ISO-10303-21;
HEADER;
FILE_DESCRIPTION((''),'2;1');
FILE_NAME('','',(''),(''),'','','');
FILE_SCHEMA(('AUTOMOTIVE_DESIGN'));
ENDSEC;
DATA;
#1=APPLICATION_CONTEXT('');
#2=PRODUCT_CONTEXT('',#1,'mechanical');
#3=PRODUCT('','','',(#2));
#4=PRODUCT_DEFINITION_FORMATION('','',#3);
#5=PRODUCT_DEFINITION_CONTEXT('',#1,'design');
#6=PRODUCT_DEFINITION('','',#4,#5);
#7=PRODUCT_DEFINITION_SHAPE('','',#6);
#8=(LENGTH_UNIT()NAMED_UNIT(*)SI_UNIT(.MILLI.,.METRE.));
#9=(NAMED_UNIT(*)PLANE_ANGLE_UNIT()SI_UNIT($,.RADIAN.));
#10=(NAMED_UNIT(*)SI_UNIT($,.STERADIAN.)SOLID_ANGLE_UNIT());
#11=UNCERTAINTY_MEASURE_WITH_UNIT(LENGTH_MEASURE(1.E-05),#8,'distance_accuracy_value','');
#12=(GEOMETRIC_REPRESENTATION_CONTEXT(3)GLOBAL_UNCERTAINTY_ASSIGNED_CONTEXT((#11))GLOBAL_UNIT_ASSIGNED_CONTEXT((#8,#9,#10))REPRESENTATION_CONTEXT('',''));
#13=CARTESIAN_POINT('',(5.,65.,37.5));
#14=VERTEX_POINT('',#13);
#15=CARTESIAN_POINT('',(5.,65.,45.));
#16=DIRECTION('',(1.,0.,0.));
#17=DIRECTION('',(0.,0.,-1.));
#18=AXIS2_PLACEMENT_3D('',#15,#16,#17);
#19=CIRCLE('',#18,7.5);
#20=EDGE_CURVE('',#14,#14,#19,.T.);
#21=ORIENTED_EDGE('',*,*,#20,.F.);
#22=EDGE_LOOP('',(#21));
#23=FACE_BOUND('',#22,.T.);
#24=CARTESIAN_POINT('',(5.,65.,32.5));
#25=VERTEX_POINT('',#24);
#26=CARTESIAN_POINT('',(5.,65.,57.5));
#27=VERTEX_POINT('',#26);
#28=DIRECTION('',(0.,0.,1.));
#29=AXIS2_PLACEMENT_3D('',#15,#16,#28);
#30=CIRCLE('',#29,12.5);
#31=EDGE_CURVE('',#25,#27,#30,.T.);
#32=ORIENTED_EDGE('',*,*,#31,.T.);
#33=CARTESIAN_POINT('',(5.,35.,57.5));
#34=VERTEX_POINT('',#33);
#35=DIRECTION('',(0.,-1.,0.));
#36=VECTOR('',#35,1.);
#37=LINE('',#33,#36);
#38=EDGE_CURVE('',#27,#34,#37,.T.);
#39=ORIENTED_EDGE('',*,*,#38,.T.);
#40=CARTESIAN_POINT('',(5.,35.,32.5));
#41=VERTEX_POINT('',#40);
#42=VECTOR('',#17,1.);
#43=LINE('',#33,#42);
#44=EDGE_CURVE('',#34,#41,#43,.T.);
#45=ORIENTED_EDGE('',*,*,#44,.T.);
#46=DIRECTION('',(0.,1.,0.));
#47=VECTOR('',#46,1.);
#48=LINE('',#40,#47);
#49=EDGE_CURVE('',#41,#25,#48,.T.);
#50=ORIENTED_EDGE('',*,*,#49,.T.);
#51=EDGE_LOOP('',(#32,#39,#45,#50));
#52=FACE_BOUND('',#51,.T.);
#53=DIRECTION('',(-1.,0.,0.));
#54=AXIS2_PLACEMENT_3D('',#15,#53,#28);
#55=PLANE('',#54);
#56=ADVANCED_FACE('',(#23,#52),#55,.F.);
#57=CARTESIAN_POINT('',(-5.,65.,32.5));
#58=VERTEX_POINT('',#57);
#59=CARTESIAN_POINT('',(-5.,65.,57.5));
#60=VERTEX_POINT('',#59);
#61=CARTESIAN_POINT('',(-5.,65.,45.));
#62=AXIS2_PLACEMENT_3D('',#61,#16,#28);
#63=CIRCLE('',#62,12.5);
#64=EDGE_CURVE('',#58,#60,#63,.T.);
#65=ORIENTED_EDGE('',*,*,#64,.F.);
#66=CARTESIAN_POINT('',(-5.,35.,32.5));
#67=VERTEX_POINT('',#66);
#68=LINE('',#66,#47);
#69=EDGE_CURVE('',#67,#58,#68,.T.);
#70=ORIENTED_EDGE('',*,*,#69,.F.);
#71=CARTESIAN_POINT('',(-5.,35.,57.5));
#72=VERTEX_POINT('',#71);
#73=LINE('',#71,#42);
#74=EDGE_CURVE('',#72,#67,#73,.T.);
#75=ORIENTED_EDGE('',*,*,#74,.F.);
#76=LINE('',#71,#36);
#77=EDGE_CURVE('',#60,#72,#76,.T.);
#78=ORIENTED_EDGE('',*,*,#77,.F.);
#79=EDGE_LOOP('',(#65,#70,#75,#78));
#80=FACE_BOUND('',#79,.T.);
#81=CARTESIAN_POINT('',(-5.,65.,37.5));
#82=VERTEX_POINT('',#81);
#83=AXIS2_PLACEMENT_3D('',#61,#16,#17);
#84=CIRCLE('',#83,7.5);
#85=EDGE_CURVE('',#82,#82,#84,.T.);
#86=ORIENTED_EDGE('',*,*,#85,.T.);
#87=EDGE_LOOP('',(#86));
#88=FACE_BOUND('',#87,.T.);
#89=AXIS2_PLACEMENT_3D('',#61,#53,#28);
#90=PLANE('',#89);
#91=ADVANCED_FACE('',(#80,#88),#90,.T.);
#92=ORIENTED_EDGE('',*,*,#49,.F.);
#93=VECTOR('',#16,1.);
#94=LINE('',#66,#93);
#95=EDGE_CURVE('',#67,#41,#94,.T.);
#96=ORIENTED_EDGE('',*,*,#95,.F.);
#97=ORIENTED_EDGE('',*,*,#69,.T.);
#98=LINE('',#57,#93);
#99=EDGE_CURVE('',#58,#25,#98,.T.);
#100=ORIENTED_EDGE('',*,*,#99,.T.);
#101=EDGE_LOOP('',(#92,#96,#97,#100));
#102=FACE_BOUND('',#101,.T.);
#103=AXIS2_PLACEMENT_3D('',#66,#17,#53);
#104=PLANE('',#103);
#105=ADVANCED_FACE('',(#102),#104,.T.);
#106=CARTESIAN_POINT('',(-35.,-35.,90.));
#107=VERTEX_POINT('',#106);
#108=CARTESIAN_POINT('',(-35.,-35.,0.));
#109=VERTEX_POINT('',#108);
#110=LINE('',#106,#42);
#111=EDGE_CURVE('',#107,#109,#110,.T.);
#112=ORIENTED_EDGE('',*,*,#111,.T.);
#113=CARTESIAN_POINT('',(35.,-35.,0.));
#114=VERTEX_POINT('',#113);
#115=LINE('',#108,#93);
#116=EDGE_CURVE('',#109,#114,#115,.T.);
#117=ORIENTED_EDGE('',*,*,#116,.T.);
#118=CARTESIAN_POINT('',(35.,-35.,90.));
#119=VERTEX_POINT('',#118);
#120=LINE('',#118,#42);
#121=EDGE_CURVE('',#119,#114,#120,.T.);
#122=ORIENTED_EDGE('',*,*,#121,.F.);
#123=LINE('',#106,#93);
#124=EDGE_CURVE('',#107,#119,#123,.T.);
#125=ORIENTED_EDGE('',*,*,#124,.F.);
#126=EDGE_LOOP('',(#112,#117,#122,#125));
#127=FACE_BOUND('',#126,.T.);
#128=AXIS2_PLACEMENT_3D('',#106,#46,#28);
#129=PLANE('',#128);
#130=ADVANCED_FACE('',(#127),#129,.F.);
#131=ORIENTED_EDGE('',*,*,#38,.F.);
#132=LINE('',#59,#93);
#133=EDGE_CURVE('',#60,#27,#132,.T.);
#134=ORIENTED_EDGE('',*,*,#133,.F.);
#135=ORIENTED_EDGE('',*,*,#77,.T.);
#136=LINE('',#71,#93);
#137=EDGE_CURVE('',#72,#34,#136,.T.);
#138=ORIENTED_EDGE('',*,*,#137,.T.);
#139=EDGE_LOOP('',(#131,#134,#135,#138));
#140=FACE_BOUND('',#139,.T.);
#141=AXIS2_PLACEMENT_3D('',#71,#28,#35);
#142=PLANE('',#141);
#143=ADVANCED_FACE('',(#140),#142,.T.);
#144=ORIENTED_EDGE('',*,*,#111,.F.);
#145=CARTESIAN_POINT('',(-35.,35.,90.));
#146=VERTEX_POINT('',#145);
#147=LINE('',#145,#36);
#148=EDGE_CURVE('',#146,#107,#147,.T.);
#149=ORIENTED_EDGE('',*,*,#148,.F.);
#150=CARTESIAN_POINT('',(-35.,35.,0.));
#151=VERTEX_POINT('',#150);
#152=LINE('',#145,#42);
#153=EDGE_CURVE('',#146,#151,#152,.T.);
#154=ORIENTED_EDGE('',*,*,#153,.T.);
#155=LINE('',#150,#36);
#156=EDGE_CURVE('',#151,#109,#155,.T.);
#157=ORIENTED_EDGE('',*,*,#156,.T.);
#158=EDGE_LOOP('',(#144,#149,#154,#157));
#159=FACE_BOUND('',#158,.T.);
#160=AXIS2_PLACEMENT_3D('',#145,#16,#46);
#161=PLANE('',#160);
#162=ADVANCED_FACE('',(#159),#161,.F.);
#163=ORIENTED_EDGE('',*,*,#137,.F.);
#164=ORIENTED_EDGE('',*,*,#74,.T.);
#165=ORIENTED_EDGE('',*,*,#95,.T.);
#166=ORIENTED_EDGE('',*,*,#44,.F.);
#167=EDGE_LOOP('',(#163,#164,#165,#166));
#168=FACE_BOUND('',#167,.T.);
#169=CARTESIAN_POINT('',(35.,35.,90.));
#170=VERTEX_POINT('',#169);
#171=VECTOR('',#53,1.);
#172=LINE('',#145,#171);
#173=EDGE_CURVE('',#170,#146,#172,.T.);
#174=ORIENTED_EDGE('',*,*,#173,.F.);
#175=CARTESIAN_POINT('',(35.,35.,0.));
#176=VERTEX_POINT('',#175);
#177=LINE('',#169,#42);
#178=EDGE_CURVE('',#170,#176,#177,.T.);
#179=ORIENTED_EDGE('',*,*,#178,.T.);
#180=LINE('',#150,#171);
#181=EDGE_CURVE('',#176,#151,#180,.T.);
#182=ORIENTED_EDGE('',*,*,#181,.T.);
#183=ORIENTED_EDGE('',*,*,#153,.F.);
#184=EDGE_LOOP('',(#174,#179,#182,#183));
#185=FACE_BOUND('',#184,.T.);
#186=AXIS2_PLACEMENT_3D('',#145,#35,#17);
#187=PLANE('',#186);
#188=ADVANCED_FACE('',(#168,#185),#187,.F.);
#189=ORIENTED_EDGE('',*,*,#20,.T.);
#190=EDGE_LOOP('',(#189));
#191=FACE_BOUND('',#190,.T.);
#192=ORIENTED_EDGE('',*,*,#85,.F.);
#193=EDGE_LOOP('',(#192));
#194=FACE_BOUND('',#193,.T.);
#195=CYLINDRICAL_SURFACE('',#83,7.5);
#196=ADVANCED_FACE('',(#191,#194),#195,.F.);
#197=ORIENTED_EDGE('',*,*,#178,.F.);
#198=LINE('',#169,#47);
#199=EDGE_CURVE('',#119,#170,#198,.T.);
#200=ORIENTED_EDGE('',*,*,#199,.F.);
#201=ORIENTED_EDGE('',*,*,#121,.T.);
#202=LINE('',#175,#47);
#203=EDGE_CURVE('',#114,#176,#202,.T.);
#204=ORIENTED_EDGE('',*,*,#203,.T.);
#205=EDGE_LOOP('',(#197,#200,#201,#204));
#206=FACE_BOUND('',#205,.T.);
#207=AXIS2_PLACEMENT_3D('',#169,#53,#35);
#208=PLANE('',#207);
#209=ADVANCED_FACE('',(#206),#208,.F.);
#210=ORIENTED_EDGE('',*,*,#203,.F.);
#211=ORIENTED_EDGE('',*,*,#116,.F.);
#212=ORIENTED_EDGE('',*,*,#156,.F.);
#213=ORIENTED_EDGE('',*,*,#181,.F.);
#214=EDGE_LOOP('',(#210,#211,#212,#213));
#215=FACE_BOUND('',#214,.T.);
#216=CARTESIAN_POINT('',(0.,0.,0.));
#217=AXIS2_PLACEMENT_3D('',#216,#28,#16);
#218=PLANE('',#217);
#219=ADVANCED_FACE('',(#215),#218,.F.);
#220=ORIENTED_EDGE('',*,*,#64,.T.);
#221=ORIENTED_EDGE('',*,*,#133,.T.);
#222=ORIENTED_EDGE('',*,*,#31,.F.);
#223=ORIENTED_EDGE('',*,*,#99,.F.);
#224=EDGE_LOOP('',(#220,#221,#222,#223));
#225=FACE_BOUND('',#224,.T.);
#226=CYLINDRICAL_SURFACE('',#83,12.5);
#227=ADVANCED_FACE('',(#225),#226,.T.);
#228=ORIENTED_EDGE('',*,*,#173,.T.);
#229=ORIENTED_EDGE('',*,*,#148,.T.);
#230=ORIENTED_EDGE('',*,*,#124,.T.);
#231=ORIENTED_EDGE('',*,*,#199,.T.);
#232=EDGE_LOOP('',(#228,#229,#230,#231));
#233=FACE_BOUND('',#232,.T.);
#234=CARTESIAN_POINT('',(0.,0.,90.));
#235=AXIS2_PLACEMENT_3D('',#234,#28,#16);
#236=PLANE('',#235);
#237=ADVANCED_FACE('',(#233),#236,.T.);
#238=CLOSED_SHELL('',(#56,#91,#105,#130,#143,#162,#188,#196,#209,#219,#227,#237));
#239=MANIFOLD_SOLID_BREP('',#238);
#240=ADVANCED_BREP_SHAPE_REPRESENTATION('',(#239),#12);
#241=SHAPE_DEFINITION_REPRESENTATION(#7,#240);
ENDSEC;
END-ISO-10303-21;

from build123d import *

# Parameters (mm, degrees)
ESQUISSE1_W             = 70
ESQUISSE1_H             = 70
BOSS_EXTRU_1_DEPTH      = 90
BOSS_EXTRU_2_DEPTH      = 5
BOSS_EXTRU_2_DEPTH_BACK = 5
ESQUISSE2_R             = 7.5


with BuildPart() as part:
    # Esquisse1 → Boss.-Extru.1 (new body)
    with BuildSketch(Plane.XY):
        Rectangle(ESQUISSE1_W, ESQUISSE1_H)
    extrude(amount=BOSS_EXTRU_1_DEPTH)

    # Esquisse2 → Boss.-Extru.2 (add, two sides: drawn at the far end of the back side and taken through both)
    with BuildSketch(Plane(origin=(0, 0, 0), x_dir=(0, 0, -1), z_dir=(1, 0, 0)).offset(-BOSS_EXTRU_2_DEPTH_BACK)):
        with BuildLine():
            Line((-57.5, 35), (-57.5, 65))
            ThreePointArc((-57.5, 65), (-45, 77.5), (-32.5, 65))
            Line((-32.5, 65), (-32.5, 35))
            Line((-32.5, 35), (-57.5, 35))
        make_face()
        with Locations((-45, 65)):
            Circle(ESQUISSE2_R, mode=Mode.SUBTRACT)
    extrude(amount=BOSS_EXTRU_2_DEPTH + BOSS_EXTRU_2_DEPTH_BACK)


solid = part.part
